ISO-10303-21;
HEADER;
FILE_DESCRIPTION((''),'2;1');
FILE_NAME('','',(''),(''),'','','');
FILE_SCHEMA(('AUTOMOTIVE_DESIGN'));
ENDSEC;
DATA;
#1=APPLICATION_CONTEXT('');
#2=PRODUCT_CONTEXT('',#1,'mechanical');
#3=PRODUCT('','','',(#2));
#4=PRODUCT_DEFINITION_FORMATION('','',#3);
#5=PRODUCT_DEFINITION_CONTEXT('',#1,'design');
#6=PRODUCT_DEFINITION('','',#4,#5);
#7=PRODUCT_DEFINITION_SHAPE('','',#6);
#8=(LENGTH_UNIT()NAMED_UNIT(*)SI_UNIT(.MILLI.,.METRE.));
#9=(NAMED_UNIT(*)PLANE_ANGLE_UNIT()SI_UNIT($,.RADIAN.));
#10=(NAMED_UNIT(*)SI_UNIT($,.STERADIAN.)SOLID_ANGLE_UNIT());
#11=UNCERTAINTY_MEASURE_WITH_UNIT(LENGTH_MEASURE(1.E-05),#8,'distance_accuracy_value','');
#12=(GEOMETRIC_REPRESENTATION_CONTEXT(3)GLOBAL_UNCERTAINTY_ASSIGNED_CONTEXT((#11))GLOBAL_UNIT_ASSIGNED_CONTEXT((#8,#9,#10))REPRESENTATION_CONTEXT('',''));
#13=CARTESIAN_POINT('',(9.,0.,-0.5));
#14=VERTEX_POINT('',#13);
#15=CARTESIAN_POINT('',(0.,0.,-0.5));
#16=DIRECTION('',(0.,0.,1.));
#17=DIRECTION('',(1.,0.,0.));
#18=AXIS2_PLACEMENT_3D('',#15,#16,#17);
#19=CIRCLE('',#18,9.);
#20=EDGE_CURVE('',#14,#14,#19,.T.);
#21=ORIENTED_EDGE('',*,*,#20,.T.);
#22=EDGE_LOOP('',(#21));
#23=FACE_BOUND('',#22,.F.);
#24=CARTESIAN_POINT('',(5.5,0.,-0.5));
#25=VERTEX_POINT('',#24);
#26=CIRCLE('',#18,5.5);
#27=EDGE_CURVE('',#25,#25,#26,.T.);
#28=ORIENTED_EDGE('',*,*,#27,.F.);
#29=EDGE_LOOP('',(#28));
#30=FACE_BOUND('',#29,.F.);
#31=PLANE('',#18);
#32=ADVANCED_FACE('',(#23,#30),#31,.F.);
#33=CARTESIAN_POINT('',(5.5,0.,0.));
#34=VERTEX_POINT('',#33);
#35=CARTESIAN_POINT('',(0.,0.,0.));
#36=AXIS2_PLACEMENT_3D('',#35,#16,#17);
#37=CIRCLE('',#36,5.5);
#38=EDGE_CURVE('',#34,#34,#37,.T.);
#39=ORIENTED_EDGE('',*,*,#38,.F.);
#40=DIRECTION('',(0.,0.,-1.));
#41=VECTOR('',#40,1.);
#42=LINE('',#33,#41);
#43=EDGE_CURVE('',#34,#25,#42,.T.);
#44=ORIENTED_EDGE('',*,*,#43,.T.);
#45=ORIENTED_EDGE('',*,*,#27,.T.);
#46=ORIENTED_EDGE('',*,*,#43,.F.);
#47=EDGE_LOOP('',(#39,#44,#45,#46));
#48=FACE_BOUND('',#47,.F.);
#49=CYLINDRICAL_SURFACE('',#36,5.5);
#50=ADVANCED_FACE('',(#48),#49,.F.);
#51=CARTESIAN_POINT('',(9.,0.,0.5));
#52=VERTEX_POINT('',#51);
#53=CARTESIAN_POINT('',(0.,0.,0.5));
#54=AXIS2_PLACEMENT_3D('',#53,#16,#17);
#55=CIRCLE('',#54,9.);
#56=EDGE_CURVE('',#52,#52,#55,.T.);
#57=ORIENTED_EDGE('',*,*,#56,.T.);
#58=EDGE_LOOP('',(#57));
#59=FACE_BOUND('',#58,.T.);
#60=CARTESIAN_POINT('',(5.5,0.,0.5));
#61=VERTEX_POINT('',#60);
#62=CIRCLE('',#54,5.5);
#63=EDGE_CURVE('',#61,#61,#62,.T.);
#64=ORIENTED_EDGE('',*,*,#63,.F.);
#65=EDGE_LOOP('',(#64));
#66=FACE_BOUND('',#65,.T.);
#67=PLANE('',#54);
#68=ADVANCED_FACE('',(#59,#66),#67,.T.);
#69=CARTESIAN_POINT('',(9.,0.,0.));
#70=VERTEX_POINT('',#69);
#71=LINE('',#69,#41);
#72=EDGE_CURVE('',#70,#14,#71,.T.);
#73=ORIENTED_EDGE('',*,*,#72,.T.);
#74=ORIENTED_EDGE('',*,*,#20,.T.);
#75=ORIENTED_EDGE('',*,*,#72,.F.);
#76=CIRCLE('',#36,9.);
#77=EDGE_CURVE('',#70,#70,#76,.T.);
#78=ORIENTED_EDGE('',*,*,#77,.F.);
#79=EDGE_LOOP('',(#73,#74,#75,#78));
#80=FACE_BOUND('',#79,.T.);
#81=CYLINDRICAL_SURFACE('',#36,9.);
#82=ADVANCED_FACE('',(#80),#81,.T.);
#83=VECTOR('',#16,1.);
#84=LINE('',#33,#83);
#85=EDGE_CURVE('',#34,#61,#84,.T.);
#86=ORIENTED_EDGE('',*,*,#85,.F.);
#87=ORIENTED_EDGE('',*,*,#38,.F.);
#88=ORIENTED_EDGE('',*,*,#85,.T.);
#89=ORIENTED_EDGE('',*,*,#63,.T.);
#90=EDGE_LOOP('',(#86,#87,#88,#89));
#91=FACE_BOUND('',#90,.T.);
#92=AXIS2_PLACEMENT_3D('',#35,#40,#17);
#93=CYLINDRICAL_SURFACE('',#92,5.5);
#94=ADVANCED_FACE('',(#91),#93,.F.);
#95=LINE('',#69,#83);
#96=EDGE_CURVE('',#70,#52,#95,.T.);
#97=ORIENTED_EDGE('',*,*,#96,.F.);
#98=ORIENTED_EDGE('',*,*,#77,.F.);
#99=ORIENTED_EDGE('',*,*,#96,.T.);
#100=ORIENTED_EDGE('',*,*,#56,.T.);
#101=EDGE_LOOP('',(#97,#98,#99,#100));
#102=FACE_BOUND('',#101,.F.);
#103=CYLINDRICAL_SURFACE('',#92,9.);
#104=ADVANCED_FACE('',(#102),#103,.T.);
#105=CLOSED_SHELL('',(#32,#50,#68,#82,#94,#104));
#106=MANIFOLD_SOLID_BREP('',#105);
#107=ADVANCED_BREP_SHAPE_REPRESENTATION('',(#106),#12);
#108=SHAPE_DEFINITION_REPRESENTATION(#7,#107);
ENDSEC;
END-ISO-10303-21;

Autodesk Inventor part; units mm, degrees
ref_plane "YZ Plane" through (0, 0, 0) normal (1, 0, 0) x (0, 1, 0)
ref_plane "XZ Plane" through (0, 0, 0) normal (0, 1, 0) x (-1, 0, 0)
ref_plane "XY Plane" through (0, 0, 0) normal (0, 0, 1) x (1, 0, 0)
sketch "Эскиз1" plane through (0, 0, 0) normal (0, 0, 1) x (1, 0, 0)
  circle A0 centre (0, 0) radius 9
  circle A1 centre (0, 0) radius 5.5
  dimension "d0" = 11
  dimension "d1" = 18
extrude "Выдавливание1" add sketch "Эскиз1" along normal mid plane 1
properties part number "Шайба"
